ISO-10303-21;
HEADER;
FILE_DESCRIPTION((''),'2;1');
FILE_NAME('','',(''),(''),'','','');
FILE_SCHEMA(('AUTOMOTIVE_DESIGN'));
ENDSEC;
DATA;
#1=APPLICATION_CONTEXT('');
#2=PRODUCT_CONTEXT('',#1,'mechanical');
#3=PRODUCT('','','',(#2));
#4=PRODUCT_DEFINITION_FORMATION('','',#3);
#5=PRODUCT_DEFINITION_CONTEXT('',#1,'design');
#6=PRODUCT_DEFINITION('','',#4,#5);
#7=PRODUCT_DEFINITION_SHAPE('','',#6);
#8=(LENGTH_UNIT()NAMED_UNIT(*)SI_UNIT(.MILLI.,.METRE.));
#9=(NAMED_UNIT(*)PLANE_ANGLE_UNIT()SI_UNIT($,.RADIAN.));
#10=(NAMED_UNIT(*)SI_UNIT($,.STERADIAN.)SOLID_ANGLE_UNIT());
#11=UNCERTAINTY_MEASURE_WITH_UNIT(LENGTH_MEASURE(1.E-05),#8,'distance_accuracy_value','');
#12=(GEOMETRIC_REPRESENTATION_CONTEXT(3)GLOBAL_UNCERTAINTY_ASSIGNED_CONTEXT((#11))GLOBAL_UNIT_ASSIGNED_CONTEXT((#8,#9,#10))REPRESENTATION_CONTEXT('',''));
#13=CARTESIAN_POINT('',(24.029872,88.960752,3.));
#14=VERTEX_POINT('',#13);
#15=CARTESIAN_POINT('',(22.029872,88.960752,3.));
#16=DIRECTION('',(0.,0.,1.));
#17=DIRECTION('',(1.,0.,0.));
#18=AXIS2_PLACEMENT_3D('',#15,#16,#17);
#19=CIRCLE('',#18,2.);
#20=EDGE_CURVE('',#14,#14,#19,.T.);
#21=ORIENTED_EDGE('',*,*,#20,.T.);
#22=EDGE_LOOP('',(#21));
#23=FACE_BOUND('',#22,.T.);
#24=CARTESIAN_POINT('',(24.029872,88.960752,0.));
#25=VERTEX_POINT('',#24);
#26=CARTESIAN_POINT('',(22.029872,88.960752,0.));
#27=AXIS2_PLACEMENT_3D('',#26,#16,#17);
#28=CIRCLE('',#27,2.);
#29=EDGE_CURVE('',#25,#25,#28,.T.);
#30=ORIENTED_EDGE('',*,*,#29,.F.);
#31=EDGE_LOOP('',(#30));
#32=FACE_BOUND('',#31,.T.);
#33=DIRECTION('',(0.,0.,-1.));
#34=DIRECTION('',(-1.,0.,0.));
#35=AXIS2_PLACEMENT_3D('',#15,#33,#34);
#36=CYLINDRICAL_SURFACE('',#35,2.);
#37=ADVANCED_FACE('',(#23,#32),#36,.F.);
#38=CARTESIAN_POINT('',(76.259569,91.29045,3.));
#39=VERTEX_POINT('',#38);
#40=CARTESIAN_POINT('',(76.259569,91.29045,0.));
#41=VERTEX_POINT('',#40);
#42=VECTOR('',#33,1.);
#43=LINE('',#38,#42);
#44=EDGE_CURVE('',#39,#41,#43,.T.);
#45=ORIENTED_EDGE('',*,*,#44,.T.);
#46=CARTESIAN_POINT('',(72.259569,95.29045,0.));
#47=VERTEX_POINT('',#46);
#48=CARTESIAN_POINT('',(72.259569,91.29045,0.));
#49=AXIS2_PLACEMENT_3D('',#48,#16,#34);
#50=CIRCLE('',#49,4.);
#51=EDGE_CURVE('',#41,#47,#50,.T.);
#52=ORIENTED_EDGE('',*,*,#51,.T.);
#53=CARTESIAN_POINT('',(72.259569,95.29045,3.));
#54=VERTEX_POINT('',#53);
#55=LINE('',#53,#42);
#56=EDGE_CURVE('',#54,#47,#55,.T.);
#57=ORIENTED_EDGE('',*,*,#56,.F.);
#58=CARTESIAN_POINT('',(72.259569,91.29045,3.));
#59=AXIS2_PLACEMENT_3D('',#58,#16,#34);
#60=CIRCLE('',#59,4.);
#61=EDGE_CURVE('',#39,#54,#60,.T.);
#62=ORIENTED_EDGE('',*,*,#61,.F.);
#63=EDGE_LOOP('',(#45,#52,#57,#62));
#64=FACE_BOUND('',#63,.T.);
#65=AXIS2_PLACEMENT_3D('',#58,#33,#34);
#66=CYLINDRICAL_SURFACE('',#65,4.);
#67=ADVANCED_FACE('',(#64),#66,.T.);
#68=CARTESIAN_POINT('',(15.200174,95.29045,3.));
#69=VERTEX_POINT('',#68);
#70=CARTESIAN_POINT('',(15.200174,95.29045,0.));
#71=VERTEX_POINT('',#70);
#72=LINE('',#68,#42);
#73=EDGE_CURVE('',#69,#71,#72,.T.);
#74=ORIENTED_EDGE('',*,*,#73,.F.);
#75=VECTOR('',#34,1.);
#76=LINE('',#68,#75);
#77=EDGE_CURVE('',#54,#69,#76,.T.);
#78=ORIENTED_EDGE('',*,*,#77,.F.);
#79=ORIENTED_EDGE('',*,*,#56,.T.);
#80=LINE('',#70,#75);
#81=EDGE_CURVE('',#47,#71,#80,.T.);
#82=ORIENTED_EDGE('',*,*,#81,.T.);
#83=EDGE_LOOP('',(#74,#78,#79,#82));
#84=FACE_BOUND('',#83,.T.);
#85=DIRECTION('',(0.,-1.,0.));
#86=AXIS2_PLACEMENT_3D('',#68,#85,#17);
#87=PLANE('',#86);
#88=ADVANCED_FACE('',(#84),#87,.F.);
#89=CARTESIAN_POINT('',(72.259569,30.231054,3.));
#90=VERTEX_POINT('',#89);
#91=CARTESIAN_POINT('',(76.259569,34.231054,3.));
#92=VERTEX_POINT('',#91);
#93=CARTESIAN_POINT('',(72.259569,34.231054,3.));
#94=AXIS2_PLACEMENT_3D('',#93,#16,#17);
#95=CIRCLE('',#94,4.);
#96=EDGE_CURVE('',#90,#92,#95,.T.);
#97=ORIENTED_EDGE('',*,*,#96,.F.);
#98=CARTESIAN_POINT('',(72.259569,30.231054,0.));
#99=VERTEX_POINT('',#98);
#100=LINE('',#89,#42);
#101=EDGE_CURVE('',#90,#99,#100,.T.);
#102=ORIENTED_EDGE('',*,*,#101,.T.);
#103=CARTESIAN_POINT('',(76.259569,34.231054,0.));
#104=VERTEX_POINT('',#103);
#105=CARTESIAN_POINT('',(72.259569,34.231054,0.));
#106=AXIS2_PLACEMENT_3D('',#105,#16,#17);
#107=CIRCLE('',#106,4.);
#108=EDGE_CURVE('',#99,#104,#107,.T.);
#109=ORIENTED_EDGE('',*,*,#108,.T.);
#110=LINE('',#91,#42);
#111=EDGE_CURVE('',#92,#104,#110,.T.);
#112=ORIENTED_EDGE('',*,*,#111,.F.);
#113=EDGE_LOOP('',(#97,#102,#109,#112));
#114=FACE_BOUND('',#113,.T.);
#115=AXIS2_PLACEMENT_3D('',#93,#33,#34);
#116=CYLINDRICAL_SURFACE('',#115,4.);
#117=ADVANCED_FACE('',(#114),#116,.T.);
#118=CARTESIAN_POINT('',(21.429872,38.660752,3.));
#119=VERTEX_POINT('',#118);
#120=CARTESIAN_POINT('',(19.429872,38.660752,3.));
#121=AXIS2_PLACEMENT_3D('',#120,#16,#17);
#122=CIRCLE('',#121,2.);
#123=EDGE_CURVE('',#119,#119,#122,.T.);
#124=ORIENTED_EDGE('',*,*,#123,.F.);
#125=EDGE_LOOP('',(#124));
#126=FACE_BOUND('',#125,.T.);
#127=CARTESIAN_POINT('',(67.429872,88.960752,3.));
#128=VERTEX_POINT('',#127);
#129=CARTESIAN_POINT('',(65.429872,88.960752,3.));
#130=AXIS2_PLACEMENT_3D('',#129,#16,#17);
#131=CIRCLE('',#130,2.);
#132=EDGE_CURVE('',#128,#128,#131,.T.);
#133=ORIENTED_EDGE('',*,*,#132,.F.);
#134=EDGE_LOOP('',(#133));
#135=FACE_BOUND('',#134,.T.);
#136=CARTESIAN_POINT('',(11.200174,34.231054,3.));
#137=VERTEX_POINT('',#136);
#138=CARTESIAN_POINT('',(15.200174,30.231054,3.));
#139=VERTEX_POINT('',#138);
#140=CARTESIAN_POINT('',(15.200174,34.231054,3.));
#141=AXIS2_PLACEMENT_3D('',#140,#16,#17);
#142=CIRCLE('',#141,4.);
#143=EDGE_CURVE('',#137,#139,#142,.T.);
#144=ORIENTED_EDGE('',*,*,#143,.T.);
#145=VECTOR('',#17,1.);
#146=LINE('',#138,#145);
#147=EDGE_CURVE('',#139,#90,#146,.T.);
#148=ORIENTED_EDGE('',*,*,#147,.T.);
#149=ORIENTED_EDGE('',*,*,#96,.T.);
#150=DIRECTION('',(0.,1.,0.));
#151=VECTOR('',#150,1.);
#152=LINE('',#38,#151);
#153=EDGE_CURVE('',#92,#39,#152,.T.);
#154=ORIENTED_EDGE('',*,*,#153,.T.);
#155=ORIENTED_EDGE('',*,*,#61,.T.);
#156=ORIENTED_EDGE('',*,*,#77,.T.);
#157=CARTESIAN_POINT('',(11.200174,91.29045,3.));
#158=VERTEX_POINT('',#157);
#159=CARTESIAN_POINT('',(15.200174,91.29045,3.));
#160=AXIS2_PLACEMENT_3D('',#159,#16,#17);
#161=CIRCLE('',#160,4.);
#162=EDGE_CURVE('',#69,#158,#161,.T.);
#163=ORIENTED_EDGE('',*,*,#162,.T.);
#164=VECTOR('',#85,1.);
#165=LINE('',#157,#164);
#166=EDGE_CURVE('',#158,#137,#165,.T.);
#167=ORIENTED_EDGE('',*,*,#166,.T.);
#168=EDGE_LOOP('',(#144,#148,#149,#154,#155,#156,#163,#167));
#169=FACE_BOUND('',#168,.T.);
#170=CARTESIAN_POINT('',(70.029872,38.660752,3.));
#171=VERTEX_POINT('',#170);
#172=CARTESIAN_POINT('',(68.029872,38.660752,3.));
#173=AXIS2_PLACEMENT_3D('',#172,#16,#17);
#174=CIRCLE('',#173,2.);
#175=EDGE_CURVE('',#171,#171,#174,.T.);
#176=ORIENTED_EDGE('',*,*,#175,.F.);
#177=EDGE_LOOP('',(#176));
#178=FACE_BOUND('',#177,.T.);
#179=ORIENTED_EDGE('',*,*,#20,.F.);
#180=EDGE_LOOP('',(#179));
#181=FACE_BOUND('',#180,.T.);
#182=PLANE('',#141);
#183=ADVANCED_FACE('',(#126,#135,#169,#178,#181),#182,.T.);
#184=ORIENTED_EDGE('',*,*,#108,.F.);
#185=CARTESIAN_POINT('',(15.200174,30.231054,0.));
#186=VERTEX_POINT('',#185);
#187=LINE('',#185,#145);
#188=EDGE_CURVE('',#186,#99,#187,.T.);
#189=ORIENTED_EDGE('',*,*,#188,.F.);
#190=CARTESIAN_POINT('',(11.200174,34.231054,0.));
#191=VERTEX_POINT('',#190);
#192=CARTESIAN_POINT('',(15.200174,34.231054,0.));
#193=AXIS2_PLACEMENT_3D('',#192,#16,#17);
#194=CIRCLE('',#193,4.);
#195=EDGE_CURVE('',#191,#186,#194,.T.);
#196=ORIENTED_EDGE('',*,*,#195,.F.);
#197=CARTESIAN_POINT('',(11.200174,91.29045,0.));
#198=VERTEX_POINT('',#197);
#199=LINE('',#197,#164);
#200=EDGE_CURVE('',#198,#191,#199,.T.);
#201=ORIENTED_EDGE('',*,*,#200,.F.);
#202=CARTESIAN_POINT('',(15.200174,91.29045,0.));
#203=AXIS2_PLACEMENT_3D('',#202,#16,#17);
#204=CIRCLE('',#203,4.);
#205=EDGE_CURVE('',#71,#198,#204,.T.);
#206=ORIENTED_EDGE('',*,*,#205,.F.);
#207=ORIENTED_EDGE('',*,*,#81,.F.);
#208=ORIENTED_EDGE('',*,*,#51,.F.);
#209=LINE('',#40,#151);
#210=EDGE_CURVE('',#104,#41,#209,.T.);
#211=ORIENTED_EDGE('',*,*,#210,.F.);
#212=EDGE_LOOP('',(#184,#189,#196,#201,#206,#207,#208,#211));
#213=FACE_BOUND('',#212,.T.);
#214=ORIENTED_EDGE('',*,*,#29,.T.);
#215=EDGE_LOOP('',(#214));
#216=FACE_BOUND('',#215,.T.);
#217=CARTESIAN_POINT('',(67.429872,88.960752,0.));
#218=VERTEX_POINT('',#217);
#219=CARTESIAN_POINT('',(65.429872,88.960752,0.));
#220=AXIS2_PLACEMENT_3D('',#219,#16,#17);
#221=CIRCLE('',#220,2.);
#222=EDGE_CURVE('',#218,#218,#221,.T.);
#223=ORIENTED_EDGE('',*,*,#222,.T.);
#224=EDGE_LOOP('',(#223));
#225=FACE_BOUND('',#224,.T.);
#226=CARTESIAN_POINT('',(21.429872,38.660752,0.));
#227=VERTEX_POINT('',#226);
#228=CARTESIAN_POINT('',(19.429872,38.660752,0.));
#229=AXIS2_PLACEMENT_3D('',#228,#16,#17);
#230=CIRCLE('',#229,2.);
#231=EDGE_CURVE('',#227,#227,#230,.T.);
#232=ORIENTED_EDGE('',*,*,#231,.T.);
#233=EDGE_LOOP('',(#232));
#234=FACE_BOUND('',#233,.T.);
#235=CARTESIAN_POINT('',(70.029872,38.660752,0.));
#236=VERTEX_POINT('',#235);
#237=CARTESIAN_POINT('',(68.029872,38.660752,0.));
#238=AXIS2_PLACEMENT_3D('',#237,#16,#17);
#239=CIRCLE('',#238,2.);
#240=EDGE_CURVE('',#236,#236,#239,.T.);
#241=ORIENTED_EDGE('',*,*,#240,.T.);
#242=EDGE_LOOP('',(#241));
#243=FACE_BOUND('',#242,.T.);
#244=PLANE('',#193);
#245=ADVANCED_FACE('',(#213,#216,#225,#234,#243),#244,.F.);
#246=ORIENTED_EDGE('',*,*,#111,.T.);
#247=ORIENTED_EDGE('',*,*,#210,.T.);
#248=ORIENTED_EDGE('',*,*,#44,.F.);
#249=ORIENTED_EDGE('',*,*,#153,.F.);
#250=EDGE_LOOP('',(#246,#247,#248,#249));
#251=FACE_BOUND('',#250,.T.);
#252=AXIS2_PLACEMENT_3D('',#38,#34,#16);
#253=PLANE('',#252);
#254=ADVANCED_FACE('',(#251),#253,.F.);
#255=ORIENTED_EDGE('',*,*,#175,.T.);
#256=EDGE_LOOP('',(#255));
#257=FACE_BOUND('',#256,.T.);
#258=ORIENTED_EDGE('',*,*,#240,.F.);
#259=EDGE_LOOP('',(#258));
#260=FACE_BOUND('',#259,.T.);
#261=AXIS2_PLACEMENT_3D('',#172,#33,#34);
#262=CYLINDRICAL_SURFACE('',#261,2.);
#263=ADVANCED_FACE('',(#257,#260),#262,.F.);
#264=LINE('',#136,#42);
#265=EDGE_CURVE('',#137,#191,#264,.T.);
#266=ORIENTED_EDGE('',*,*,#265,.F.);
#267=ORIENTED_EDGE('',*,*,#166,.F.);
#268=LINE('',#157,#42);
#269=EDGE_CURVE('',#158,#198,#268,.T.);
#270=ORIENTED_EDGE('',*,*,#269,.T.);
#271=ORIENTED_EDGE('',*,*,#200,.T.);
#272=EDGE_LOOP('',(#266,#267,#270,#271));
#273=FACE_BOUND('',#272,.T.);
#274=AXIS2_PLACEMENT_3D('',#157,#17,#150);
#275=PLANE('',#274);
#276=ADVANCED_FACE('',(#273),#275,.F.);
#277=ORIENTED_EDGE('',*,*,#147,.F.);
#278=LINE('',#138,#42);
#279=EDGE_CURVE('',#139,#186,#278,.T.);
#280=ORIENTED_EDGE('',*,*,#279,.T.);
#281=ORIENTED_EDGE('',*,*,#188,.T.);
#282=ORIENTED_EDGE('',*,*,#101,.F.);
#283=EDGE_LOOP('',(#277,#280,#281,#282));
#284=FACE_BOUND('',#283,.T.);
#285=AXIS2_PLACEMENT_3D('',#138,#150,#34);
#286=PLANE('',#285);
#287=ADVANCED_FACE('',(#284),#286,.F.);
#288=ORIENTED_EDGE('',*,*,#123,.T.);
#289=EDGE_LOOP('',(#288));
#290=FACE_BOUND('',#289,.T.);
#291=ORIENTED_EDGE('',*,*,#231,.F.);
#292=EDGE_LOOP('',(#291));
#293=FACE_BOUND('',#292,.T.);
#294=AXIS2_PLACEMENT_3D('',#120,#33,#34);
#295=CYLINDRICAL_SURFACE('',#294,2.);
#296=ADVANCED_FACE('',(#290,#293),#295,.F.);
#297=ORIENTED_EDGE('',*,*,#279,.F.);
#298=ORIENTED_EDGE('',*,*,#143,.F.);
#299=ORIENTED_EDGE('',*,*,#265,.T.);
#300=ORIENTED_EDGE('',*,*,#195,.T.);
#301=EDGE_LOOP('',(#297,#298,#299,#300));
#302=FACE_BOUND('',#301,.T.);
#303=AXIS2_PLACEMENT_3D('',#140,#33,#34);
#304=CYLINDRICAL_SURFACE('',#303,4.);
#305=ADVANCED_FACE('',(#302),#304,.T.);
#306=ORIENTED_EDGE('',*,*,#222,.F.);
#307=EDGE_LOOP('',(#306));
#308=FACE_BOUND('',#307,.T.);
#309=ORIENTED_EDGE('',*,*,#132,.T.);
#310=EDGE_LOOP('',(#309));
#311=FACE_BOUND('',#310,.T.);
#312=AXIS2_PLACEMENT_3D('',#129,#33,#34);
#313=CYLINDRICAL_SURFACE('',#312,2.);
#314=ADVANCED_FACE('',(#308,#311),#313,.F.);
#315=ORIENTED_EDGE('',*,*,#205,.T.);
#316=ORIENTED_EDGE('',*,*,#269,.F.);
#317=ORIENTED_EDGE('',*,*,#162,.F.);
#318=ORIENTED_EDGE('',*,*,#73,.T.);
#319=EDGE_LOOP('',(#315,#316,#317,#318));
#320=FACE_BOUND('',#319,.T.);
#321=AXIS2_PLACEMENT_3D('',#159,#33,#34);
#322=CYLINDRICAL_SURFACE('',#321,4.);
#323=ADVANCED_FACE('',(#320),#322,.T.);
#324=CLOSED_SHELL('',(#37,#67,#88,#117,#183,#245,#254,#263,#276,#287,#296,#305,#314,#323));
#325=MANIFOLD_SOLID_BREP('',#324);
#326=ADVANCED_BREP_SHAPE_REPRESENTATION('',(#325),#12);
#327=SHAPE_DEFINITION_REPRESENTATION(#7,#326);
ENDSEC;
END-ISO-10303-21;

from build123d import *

# Parameters (mm, degrees)
SKETCH1_R           = 2
BOSS_EXTRUDE1_DEPTH = 3


with BuildPart() as part:
    # Sketch1 → Boss-Extrude1 (new body)
    with BuildSketch(Plane.XY):
        with BuildLine():
            Line((15.200173579, 95.290450243), (72.259569486, 95.290450243))
            ThreePointArc((72.259569486, 95.290450243), (75.08799661, 94.118877368), (76.259569486, 91.290450243))
            Line((76.259569486, 91.290450243), (76.259569486, 34.231054337))
            ThreePointArc((76.259569486, 34.231054337), (75.08799661, 31.402627212), (72.259569486, 30.231054337))
            Line((72.259569486, 30.231054337), (15.200173579, 30.231054337))
            ThreePointArc((15.200173579, 30.231054337), (12.371746455, 31.402627212), (11.200173579, 34.231054337))
            Line((11.200173579, 34.231054337), (11.200173579, 91.290450243))
            ThreePointArc((11.200173579, 91.290450243), (12.371746455, 94.118877368), (15.200173579, 95.290450243))
        make_face()
        with Locations((19.429871532, 38.66075229)):
            Circle(SKETCH1_R, mode=Mode.SUBTRACT)
        with Locations((68.029871532, 38.66075229)):
            Circle(SKETCH1_R, mode=Mode.SUBTRACT)
        with Locations((65.429871532, 88.96075229)):
            Circle(SKETCH1_R, mode=Mode.SUBTRACT)
        with Locations((22.029871532, 88.96075229)):
            Circle(SKETCH1_R, mode=Mode.SUBTRACT)
    extrude(amount=BOSS_EXTRUDE1_DEPTH)


solid = part.part
